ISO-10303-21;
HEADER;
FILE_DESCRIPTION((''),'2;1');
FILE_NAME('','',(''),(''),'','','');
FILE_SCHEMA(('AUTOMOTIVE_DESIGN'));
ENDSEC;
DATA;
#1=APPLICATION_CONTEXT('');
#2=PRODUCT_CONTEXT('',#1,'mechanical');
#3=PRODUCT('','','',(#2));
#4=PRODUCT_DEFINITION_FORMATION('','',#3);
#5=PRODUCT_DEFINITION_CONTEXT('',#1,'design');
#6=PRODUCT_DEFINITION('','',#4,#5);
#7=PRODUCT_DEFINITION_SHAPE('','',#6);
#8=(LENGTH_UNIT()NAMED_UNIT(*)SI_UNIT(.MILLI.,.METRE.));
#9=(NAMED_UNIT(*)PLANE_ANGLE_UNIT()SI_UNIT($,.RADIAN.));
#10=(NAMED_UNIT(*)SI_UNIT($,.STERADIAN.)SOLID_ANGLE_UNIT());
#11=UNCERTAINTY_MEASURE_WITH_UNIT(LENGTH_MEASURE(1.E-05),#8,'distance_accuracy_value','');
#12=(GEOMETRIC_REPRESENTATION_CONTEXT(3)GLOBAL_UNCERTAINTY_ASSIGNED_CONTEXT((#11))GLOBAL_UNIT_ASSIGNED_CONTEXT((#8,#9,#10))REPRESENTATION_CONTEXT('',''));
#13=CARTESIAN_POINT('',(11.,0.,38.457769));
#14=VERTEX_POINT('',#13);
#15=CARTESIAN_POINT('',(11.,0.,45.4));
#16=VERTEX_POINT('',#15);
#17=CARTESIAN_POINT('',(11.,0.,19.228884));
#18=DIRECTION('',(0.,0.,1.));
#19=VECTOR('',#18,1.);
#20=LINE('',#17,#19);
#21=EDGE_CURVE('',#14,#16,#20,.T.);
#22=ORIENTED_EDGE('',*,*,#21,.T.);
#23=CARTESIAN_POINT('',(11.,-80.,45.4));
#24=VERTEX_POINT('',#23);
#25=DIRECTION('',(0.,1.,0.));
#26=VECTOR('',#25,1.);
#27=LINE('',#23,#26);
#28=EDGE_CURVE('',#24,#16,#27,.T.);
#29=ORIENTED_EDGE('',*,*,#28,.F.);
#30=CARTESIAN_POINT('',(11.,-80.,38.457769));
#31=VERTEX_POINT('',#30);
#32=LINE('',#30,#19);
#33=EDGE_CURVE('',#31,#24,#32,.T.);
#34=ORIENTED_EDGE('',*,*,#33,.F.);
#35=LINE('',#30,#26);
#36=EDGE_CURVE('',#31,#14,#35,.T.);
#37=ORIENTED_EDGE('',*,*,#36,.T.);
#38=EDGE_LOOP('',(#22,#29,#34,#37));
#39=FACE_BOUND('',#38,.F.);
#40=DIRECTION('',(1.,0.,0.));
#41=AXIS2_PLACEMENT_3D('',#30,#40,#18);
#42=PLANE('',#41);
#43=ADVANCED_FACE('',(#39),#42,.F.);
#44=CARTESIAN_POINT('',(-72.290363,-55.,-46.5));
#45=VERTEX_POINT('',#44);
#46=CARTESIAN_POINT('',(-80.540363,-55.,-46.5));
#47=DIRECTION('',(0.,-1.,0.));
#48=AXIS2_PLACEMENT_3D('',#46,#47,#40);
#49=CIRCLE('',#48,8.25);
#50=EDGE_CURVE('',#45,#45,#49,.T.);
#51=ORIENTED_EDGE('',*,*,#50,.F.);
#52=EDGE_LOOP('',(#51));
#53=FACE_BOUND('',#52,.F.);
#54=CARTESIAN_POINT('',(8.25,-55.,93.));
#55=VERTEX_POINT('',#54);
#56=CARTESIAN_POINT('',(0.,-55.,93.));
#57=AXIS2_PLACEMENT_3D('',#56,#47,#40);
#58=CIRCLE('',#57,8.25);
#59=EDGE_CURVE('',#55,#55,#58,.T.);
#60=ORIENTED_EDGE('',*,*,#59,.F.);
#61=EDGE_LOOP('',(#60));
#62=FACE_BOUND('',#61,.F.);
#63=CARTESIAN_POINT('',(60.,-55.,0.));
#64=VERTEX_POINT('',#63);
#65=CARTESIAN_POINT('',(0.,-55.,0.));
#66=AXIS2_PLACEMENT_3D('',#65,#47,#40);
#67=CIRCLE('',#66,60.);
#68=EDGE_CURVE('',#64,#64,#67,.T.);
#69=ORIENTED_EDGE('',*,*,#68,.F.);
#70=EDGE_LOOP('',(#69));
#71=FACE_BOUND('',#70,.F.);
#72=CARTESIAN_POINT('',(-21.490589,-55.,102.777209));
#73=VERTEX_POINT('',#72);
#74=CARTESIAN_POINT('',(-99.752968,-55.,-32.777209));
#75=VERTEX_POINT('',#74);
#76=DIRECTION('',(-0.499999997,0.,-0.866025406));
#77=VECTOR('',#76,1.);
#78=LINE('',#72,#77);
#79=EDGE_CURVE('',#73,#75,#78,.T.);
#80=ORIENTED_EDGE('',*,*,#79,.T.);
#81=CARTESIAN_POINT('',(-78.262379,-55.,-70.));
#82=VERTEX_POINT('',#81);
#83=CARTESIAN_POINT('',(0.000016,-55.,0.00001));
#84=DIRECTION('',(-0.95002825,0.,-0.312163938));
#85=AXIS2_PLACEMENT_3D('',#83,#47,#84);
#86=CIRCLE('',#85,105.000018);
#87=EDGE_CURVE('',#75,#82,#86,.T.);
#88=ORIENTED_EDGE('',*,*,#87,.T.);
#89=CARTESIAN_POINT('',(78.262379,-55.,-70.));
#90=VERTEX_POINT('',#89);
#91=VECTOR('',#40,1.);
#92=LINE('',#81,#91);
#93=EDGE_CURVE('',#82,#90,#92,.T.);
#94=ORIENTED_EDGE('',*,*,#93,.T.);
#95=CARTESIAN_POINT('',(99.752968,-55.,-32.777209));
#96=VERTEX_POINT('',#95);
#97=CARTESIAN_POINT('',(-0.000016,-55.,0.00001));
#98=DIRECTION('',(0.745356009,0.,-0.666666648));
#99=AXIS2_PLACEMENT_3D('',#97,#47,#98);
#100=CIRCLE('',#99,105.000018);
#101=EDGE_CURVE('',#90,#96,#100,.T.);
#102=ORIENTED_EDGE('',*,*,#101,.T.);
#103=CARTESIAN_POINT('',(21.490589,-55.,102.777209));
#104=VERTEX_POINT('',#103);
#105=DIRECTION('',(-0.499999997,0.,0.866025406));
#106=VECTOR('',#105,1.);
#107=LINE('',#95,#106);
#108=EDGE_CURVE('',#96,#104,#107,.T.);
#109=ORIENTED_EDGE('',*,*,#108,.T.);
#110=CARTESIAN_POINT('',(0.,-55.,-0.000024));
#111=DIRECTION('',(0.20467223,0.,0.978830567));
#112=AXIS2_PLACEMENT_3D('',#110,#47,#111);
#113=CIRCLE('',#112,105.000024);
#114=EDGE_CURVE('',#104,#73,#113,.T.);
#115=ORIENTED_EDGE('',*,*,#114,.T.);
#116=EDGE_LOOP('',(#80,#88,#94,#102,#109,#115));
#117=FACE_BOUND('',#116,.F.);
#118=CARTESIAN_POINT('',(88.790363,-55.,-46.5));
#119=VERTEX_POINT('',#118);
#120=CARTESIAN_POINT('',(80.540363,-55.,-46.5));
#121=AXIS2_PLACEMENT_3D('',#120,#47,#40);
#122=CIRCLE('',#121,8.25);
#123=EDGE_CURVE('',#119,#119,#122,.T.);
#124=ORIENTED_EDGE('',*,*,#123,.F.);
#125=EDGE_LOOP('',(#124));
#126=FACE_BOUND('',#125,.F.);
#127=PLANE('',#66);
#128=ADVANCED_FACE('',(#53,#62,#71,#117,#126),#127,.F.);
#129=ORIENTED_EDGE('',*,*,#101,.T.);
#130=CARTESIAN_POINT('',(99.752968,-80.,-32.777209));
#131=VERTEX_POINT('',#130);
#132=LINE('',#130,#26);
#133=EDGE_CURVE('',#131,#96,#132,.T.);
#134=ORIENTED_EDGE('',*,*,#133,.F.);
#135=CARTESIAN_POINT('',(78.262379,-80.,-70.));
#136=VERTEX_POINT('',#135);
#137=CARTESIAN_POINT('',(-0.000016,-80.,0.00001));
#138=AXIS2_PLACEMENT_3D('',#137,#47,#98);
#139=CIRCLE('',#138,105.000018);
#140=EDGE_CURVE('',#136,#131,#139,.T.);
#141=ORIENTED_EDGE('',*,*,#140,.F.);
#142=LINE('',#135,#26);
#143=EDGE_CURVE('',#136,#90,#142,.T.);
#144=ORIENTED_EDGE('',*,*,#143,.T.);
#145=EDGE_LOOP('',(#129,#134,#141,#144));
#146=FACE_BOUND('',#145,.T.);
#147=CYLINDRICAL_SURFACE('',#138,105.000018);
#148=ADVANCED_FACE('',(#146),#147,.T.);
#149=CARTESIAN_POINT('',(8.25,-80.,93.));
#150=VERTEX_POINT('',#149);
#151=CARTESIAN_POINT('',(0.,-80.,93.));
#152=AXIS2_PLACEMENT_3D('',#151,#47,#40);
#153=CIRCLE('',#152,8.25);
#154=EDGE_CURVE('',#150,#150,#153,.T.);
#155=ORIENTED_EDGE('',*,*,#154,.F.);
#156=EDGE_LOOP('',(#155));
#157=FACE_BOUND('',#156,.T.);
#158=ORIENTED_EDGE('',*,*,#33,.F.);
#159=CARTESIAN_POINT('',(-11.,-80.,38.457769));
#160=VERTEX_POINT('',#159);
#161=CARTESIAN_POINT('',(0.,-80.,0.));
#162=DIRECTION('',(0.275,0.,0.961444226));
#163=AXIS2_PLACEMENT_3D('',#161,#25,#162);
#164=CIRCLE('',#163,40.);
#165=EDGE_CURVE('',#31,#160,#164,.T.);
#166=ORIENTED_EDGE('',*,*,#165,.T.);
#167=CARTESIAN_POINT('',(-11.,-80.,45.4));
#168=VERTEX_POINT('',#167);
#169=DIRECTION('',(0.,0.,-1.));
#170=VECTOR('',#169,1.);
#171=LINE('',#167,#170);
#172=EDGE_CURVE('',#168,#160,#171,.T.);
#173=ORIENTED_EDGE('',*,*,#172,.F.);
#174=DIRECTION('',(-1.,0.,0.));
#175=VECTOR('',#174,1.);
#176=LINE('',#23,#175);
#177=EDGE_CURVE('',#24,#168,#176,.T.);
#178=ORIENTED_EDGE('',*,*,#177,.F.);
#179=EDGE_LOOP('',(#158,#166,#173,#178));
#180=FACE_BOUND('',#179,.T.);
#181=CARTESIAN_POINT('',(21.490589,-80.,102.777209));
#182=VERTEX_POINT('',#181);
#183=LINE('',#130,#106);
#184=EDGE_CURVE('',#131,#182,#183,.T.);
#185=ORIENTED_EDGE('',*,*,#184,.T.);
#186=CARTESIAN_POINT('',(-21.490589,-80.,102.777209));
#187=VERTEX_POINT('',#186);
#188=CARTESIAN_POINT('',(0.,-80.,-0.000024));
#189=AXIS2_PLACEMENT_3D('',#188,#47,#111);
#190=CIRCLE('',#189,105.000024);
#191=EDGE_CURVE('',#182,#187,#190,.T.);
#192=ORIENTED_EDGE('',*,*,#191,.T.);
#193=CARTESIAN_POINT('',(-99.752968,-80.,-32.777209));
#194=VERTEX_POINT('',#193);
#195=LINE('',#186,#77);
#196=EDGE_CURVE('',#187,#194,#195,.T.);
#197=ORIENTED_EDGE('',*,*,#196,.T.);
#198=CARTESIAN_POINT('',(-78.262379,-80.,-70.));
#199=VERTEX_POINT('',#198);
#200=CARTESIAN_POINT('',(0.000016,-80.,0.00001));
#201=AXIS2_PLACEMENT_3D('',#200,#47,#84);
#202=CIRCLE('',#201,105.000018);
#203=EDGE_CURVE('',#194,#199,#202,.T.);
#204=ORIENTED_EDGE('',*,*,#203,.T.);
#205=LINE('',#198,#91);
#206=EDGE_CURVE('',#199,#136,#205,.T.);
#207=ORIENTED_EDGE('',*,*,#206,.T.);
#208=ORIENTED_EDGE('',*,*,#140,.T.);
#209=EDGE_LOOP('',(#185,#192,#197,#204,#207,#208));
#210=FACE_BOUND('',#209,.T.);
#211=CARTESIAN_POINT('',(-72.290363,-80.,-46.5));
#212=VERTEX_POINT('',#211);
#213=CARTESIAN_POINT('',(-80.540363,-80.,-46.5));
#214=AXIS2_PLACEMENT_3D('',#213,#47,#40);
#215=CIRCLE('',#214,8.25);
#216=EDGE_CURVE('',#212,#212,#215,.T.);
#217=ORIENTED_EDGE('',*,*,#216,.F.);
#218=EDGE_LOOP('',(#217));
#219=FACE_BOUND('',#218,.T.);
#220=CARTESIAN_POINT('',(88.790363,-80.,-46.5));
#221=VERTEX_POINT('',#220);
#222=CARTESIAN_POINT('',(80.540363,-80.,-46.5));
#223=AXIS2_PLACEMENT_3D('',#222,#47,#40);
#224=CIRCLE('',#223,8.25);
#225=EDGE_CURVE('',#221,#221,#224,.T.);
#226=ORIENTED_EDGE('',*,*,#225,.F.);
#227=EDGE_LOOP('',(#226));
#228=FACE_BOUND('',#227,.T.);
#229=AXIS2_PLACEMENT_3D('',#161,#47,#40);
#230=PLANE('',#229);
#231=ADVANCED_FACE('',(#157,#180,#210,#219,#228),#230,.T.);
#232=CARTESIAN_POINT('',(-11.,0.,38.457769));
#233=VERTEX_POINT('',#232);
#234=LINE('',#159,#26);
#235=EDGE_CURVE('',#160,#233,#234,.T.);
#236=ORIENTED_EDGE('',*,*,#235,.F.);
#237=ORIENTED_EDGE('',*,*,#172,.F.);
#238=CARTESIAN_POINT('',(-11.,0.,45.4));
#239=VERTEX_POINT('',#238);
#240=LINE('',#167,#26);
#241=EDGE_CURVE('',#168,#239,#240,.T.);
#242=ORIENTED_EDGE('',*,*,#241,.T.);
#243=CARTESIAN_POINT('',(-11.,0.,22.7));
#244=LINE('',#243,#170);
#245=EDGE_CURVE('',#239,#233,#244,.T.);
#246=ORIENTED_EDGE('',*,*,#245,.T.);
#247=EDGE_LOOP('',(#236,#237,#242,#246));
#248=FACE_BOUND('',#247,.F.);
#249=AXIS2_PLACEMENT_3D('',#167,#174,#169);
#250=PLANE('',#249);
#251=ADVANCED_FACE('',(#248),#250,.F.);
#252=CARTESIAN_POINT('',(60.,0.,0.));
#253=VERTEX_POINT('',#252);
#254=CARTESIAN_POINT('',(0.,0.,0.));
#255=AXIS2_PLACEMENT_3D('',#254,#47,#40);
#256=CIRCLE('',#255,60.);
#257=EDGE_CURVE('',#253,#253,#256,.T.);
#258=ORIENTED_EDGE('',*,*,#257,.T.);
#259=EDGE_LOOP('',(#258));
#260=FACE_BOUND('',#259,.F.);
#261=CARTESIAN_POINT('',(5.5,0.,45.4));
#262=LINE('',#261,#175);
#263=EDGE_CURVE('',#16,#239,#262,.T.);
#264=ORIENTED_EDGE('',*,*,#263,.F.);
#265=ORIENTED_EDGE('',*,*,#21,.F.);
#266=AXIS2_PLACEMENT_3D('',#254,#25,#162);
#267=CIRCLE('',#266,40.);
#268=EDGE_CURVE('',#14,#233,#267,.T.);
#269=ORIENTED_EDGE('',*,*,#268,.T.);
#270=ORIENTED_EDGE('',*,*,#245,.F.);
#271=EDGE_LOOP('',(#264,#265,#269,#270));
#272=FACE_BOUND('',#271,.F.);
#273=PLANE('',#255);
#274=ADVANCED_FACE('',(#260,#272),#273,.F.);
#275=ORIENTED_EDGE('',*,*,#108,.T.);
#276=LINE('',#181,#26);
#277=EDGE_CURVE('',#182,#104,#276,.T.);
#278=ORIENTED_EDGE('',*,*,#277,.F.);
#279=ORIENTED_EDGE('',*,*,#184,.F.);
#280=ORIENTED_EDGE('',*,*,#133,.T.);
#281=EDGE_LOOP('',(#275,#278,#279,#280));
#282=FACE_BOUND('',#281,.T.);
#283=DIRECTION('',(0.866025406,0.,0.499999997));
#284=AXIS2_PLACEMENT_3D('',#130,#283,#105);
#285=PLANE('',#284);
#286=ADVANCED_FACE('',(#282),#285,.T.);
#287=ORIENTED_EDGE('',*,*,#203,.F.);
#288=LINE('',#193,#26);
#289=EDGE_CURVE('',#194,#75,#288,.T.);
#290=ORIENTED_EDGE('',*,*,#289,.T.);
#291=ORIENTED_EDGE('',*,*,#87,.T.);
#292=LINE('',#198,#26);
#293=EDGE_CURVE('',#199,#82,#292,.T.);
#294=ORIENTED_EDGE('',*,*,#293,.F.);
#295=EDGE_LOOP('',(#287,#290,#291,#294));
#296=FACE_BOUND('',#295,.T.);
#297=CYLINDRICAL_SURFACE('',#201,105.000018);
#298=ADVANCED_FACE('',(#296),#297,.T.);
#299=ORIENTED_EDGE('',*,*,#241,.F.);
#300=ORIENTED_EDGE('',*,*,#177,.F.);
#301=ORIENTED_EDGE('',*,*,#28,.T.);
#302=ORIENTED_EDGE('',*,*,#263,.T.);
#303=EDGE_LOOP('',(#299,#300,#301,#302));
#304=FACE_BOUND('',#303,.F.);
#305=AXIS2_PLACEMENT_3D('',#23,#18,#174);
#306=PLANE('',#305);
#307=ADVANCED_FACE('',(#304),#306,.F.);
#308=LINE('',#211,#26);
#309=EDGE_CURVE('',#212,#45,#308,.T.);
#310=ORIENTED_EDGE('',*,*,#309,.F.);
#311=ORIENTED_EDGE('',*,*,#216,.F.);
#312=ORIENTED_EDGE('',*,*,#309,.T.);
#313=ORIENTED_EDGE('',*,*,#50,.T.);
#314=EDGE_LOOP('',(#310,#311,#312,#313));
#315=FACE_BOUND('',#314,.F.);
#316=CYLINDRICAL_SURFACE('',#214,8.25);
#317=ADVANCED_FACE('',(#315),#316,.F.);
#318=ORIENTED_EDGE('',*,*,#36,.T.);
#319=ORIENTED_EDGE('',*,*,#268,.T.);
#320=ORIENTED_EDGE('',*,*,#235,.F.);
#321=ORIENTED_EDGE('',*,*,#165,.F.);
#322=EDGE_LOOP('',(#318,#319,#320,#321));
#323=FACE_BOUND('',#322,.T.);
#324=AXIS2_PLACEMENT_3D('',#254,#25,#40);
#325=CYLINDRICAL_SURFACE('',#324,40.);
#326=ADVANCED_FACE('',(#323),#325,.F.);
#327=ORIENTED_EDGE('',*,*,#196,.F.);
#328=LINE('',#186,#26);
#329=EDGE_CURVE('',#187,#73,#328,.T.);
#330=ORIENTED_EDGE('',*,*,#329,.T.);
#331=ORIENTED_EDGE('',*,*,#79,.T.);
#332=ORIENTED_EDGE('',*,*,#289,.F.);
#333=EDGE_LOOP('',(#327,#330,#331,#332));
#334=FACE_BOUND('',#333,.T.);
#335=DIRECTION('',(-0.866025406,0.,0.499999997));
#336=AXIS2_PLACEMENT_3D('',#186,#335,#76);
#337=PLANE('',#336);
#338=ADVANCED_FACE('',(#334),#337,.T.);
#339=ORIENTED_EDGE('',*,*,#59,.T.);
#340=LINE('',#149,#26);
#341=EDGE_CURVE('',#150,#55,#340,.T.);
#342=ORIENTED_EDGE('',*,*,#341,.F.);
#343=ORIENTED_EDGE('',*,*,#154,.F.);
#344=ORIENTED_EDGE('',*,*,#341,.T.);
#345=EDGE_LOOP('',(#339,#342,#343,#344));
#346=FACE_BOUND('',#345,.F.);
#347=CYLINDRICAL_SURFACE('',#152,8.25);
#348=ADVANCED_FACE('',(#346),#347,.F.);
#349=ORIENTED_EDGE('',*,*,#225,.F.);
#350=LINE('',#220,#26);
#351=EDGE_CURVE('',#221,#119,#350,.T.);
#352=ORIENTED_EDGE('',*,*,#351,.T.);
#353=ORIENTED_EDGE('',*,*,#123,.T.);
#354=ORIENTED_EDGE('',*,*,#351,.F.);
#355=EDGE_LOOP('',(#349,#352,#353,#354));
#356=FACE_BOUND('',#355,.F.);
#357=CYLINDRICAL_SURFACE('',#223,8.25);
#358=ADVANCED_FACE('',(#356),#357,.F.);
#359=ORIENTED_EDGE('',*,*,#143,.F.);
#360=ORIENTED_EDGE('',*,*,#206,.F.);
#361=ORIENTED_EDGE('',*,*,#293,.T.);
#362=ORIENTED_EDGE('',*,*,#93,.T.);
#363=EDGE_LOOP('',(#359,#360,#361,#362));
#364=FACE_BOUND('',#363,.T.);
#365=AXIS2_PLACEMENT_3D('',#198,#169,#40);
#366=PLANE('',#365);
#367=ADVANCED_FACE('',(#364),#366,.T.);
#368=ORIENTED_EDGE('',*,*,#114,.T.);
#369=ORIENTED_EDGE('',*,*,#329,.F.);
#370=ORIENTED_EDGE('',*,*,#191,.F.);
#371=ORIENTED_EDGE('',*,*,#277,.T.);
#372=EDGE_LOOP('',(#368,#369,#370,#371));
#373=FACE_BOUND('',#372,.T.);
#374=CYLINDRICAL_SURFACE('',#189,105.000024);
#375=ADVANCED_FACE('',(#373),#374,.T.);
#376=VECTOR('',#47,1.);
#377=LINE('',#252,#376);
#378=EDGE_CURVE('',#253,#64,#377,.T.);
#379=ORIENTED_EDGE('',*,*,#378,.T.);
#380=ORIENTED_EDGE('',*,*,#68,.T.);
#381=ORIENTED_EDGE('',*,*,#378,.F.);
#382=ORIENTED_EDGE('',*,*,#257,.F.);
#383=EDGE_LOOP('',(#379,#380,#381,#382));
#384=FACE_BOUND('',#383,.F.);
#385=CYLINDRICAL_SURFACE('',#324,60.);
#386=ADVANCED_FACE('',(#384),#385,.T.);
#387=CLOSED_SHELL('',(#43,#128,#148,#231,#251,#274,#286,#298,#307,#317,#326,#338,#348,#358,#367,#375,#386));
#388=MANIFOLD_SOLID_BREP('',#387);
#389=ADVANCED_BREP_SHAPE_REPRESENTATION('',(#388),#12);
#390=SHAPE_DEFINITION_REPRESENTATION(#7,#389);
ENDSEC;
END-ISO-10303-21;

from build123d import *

# Parameters (mm, degrees)
F0_R     = 60
F0_R_2   = 40
F1_DEPTH = 80
F2_R     = 8.25
F2_R_2   = 60
F3_DEPTH = 25
F5_DEPTH = 80.001


with BuildPart() as f1:
    # F0 (on Front) → F1 (new body)
    with BuildSketch(Plane.XZ):
        Circle(F0_R)
        Circle(F0_R_2, mode=Mode.SUBTRACT)
    extrude(amount=F1_DEPTH)

    # F2 (on face) → F3 (join)
    with BuildSketch(Plane.XZ.offset(80)):
        with BuildLine():
            Line((99.752968, -32.777209), (21.490589, 102.777209))
            ThreePointArc((21.490589, 102.777209), (0, 105), (-21.490589, 102.777209))
            Line((-21.490589, 102.777209), (-99.752968, -32.777209))
            ThreePointArc((-99.752968, -32.777209), (-90.932667, -52.5), (-78.262379, -70))
            Line((-78.262379, -70), (78.262379, -70))
            ThreePointArc((78.262379, -70), (90.932667, -52.5), (99.752968, -32.777209))
        make_face()
        with Locations((-80.540363, -46.5)):
            Circle(F2_R, mode=Mode.SUBTRACT)
        with Locations((80.540363, -46.5)):
            Circle(F2_R, mode=Mode.SUBTRACT)
        Circle(F2_R_2, mode=Mode.SUBTRACT)
        with Locations((0, 93)):
            Circle(F2_R, mode=Mode.SUBTRACT)
    extrude(amount=-F3_DEPTH)

    # F4 (on face) → F5 (cut, through all)
    with BuildSketch(Plane.XZ.offset(80)):
        with BuildLine():
            Line((11, 45.4), (-11, 45.4))
            Line((-11, 45.4), (-11, 38.457769))
            ThreePointArc((-11, 38.457769), (0, 40), (11, 38.457769))
            Line((11, 38.457769), (11, 45.4))
        make_face()
    extrude(amount=-F5_DEPTH, mode=Mode.SUBTRACT)


solid = f1.part
